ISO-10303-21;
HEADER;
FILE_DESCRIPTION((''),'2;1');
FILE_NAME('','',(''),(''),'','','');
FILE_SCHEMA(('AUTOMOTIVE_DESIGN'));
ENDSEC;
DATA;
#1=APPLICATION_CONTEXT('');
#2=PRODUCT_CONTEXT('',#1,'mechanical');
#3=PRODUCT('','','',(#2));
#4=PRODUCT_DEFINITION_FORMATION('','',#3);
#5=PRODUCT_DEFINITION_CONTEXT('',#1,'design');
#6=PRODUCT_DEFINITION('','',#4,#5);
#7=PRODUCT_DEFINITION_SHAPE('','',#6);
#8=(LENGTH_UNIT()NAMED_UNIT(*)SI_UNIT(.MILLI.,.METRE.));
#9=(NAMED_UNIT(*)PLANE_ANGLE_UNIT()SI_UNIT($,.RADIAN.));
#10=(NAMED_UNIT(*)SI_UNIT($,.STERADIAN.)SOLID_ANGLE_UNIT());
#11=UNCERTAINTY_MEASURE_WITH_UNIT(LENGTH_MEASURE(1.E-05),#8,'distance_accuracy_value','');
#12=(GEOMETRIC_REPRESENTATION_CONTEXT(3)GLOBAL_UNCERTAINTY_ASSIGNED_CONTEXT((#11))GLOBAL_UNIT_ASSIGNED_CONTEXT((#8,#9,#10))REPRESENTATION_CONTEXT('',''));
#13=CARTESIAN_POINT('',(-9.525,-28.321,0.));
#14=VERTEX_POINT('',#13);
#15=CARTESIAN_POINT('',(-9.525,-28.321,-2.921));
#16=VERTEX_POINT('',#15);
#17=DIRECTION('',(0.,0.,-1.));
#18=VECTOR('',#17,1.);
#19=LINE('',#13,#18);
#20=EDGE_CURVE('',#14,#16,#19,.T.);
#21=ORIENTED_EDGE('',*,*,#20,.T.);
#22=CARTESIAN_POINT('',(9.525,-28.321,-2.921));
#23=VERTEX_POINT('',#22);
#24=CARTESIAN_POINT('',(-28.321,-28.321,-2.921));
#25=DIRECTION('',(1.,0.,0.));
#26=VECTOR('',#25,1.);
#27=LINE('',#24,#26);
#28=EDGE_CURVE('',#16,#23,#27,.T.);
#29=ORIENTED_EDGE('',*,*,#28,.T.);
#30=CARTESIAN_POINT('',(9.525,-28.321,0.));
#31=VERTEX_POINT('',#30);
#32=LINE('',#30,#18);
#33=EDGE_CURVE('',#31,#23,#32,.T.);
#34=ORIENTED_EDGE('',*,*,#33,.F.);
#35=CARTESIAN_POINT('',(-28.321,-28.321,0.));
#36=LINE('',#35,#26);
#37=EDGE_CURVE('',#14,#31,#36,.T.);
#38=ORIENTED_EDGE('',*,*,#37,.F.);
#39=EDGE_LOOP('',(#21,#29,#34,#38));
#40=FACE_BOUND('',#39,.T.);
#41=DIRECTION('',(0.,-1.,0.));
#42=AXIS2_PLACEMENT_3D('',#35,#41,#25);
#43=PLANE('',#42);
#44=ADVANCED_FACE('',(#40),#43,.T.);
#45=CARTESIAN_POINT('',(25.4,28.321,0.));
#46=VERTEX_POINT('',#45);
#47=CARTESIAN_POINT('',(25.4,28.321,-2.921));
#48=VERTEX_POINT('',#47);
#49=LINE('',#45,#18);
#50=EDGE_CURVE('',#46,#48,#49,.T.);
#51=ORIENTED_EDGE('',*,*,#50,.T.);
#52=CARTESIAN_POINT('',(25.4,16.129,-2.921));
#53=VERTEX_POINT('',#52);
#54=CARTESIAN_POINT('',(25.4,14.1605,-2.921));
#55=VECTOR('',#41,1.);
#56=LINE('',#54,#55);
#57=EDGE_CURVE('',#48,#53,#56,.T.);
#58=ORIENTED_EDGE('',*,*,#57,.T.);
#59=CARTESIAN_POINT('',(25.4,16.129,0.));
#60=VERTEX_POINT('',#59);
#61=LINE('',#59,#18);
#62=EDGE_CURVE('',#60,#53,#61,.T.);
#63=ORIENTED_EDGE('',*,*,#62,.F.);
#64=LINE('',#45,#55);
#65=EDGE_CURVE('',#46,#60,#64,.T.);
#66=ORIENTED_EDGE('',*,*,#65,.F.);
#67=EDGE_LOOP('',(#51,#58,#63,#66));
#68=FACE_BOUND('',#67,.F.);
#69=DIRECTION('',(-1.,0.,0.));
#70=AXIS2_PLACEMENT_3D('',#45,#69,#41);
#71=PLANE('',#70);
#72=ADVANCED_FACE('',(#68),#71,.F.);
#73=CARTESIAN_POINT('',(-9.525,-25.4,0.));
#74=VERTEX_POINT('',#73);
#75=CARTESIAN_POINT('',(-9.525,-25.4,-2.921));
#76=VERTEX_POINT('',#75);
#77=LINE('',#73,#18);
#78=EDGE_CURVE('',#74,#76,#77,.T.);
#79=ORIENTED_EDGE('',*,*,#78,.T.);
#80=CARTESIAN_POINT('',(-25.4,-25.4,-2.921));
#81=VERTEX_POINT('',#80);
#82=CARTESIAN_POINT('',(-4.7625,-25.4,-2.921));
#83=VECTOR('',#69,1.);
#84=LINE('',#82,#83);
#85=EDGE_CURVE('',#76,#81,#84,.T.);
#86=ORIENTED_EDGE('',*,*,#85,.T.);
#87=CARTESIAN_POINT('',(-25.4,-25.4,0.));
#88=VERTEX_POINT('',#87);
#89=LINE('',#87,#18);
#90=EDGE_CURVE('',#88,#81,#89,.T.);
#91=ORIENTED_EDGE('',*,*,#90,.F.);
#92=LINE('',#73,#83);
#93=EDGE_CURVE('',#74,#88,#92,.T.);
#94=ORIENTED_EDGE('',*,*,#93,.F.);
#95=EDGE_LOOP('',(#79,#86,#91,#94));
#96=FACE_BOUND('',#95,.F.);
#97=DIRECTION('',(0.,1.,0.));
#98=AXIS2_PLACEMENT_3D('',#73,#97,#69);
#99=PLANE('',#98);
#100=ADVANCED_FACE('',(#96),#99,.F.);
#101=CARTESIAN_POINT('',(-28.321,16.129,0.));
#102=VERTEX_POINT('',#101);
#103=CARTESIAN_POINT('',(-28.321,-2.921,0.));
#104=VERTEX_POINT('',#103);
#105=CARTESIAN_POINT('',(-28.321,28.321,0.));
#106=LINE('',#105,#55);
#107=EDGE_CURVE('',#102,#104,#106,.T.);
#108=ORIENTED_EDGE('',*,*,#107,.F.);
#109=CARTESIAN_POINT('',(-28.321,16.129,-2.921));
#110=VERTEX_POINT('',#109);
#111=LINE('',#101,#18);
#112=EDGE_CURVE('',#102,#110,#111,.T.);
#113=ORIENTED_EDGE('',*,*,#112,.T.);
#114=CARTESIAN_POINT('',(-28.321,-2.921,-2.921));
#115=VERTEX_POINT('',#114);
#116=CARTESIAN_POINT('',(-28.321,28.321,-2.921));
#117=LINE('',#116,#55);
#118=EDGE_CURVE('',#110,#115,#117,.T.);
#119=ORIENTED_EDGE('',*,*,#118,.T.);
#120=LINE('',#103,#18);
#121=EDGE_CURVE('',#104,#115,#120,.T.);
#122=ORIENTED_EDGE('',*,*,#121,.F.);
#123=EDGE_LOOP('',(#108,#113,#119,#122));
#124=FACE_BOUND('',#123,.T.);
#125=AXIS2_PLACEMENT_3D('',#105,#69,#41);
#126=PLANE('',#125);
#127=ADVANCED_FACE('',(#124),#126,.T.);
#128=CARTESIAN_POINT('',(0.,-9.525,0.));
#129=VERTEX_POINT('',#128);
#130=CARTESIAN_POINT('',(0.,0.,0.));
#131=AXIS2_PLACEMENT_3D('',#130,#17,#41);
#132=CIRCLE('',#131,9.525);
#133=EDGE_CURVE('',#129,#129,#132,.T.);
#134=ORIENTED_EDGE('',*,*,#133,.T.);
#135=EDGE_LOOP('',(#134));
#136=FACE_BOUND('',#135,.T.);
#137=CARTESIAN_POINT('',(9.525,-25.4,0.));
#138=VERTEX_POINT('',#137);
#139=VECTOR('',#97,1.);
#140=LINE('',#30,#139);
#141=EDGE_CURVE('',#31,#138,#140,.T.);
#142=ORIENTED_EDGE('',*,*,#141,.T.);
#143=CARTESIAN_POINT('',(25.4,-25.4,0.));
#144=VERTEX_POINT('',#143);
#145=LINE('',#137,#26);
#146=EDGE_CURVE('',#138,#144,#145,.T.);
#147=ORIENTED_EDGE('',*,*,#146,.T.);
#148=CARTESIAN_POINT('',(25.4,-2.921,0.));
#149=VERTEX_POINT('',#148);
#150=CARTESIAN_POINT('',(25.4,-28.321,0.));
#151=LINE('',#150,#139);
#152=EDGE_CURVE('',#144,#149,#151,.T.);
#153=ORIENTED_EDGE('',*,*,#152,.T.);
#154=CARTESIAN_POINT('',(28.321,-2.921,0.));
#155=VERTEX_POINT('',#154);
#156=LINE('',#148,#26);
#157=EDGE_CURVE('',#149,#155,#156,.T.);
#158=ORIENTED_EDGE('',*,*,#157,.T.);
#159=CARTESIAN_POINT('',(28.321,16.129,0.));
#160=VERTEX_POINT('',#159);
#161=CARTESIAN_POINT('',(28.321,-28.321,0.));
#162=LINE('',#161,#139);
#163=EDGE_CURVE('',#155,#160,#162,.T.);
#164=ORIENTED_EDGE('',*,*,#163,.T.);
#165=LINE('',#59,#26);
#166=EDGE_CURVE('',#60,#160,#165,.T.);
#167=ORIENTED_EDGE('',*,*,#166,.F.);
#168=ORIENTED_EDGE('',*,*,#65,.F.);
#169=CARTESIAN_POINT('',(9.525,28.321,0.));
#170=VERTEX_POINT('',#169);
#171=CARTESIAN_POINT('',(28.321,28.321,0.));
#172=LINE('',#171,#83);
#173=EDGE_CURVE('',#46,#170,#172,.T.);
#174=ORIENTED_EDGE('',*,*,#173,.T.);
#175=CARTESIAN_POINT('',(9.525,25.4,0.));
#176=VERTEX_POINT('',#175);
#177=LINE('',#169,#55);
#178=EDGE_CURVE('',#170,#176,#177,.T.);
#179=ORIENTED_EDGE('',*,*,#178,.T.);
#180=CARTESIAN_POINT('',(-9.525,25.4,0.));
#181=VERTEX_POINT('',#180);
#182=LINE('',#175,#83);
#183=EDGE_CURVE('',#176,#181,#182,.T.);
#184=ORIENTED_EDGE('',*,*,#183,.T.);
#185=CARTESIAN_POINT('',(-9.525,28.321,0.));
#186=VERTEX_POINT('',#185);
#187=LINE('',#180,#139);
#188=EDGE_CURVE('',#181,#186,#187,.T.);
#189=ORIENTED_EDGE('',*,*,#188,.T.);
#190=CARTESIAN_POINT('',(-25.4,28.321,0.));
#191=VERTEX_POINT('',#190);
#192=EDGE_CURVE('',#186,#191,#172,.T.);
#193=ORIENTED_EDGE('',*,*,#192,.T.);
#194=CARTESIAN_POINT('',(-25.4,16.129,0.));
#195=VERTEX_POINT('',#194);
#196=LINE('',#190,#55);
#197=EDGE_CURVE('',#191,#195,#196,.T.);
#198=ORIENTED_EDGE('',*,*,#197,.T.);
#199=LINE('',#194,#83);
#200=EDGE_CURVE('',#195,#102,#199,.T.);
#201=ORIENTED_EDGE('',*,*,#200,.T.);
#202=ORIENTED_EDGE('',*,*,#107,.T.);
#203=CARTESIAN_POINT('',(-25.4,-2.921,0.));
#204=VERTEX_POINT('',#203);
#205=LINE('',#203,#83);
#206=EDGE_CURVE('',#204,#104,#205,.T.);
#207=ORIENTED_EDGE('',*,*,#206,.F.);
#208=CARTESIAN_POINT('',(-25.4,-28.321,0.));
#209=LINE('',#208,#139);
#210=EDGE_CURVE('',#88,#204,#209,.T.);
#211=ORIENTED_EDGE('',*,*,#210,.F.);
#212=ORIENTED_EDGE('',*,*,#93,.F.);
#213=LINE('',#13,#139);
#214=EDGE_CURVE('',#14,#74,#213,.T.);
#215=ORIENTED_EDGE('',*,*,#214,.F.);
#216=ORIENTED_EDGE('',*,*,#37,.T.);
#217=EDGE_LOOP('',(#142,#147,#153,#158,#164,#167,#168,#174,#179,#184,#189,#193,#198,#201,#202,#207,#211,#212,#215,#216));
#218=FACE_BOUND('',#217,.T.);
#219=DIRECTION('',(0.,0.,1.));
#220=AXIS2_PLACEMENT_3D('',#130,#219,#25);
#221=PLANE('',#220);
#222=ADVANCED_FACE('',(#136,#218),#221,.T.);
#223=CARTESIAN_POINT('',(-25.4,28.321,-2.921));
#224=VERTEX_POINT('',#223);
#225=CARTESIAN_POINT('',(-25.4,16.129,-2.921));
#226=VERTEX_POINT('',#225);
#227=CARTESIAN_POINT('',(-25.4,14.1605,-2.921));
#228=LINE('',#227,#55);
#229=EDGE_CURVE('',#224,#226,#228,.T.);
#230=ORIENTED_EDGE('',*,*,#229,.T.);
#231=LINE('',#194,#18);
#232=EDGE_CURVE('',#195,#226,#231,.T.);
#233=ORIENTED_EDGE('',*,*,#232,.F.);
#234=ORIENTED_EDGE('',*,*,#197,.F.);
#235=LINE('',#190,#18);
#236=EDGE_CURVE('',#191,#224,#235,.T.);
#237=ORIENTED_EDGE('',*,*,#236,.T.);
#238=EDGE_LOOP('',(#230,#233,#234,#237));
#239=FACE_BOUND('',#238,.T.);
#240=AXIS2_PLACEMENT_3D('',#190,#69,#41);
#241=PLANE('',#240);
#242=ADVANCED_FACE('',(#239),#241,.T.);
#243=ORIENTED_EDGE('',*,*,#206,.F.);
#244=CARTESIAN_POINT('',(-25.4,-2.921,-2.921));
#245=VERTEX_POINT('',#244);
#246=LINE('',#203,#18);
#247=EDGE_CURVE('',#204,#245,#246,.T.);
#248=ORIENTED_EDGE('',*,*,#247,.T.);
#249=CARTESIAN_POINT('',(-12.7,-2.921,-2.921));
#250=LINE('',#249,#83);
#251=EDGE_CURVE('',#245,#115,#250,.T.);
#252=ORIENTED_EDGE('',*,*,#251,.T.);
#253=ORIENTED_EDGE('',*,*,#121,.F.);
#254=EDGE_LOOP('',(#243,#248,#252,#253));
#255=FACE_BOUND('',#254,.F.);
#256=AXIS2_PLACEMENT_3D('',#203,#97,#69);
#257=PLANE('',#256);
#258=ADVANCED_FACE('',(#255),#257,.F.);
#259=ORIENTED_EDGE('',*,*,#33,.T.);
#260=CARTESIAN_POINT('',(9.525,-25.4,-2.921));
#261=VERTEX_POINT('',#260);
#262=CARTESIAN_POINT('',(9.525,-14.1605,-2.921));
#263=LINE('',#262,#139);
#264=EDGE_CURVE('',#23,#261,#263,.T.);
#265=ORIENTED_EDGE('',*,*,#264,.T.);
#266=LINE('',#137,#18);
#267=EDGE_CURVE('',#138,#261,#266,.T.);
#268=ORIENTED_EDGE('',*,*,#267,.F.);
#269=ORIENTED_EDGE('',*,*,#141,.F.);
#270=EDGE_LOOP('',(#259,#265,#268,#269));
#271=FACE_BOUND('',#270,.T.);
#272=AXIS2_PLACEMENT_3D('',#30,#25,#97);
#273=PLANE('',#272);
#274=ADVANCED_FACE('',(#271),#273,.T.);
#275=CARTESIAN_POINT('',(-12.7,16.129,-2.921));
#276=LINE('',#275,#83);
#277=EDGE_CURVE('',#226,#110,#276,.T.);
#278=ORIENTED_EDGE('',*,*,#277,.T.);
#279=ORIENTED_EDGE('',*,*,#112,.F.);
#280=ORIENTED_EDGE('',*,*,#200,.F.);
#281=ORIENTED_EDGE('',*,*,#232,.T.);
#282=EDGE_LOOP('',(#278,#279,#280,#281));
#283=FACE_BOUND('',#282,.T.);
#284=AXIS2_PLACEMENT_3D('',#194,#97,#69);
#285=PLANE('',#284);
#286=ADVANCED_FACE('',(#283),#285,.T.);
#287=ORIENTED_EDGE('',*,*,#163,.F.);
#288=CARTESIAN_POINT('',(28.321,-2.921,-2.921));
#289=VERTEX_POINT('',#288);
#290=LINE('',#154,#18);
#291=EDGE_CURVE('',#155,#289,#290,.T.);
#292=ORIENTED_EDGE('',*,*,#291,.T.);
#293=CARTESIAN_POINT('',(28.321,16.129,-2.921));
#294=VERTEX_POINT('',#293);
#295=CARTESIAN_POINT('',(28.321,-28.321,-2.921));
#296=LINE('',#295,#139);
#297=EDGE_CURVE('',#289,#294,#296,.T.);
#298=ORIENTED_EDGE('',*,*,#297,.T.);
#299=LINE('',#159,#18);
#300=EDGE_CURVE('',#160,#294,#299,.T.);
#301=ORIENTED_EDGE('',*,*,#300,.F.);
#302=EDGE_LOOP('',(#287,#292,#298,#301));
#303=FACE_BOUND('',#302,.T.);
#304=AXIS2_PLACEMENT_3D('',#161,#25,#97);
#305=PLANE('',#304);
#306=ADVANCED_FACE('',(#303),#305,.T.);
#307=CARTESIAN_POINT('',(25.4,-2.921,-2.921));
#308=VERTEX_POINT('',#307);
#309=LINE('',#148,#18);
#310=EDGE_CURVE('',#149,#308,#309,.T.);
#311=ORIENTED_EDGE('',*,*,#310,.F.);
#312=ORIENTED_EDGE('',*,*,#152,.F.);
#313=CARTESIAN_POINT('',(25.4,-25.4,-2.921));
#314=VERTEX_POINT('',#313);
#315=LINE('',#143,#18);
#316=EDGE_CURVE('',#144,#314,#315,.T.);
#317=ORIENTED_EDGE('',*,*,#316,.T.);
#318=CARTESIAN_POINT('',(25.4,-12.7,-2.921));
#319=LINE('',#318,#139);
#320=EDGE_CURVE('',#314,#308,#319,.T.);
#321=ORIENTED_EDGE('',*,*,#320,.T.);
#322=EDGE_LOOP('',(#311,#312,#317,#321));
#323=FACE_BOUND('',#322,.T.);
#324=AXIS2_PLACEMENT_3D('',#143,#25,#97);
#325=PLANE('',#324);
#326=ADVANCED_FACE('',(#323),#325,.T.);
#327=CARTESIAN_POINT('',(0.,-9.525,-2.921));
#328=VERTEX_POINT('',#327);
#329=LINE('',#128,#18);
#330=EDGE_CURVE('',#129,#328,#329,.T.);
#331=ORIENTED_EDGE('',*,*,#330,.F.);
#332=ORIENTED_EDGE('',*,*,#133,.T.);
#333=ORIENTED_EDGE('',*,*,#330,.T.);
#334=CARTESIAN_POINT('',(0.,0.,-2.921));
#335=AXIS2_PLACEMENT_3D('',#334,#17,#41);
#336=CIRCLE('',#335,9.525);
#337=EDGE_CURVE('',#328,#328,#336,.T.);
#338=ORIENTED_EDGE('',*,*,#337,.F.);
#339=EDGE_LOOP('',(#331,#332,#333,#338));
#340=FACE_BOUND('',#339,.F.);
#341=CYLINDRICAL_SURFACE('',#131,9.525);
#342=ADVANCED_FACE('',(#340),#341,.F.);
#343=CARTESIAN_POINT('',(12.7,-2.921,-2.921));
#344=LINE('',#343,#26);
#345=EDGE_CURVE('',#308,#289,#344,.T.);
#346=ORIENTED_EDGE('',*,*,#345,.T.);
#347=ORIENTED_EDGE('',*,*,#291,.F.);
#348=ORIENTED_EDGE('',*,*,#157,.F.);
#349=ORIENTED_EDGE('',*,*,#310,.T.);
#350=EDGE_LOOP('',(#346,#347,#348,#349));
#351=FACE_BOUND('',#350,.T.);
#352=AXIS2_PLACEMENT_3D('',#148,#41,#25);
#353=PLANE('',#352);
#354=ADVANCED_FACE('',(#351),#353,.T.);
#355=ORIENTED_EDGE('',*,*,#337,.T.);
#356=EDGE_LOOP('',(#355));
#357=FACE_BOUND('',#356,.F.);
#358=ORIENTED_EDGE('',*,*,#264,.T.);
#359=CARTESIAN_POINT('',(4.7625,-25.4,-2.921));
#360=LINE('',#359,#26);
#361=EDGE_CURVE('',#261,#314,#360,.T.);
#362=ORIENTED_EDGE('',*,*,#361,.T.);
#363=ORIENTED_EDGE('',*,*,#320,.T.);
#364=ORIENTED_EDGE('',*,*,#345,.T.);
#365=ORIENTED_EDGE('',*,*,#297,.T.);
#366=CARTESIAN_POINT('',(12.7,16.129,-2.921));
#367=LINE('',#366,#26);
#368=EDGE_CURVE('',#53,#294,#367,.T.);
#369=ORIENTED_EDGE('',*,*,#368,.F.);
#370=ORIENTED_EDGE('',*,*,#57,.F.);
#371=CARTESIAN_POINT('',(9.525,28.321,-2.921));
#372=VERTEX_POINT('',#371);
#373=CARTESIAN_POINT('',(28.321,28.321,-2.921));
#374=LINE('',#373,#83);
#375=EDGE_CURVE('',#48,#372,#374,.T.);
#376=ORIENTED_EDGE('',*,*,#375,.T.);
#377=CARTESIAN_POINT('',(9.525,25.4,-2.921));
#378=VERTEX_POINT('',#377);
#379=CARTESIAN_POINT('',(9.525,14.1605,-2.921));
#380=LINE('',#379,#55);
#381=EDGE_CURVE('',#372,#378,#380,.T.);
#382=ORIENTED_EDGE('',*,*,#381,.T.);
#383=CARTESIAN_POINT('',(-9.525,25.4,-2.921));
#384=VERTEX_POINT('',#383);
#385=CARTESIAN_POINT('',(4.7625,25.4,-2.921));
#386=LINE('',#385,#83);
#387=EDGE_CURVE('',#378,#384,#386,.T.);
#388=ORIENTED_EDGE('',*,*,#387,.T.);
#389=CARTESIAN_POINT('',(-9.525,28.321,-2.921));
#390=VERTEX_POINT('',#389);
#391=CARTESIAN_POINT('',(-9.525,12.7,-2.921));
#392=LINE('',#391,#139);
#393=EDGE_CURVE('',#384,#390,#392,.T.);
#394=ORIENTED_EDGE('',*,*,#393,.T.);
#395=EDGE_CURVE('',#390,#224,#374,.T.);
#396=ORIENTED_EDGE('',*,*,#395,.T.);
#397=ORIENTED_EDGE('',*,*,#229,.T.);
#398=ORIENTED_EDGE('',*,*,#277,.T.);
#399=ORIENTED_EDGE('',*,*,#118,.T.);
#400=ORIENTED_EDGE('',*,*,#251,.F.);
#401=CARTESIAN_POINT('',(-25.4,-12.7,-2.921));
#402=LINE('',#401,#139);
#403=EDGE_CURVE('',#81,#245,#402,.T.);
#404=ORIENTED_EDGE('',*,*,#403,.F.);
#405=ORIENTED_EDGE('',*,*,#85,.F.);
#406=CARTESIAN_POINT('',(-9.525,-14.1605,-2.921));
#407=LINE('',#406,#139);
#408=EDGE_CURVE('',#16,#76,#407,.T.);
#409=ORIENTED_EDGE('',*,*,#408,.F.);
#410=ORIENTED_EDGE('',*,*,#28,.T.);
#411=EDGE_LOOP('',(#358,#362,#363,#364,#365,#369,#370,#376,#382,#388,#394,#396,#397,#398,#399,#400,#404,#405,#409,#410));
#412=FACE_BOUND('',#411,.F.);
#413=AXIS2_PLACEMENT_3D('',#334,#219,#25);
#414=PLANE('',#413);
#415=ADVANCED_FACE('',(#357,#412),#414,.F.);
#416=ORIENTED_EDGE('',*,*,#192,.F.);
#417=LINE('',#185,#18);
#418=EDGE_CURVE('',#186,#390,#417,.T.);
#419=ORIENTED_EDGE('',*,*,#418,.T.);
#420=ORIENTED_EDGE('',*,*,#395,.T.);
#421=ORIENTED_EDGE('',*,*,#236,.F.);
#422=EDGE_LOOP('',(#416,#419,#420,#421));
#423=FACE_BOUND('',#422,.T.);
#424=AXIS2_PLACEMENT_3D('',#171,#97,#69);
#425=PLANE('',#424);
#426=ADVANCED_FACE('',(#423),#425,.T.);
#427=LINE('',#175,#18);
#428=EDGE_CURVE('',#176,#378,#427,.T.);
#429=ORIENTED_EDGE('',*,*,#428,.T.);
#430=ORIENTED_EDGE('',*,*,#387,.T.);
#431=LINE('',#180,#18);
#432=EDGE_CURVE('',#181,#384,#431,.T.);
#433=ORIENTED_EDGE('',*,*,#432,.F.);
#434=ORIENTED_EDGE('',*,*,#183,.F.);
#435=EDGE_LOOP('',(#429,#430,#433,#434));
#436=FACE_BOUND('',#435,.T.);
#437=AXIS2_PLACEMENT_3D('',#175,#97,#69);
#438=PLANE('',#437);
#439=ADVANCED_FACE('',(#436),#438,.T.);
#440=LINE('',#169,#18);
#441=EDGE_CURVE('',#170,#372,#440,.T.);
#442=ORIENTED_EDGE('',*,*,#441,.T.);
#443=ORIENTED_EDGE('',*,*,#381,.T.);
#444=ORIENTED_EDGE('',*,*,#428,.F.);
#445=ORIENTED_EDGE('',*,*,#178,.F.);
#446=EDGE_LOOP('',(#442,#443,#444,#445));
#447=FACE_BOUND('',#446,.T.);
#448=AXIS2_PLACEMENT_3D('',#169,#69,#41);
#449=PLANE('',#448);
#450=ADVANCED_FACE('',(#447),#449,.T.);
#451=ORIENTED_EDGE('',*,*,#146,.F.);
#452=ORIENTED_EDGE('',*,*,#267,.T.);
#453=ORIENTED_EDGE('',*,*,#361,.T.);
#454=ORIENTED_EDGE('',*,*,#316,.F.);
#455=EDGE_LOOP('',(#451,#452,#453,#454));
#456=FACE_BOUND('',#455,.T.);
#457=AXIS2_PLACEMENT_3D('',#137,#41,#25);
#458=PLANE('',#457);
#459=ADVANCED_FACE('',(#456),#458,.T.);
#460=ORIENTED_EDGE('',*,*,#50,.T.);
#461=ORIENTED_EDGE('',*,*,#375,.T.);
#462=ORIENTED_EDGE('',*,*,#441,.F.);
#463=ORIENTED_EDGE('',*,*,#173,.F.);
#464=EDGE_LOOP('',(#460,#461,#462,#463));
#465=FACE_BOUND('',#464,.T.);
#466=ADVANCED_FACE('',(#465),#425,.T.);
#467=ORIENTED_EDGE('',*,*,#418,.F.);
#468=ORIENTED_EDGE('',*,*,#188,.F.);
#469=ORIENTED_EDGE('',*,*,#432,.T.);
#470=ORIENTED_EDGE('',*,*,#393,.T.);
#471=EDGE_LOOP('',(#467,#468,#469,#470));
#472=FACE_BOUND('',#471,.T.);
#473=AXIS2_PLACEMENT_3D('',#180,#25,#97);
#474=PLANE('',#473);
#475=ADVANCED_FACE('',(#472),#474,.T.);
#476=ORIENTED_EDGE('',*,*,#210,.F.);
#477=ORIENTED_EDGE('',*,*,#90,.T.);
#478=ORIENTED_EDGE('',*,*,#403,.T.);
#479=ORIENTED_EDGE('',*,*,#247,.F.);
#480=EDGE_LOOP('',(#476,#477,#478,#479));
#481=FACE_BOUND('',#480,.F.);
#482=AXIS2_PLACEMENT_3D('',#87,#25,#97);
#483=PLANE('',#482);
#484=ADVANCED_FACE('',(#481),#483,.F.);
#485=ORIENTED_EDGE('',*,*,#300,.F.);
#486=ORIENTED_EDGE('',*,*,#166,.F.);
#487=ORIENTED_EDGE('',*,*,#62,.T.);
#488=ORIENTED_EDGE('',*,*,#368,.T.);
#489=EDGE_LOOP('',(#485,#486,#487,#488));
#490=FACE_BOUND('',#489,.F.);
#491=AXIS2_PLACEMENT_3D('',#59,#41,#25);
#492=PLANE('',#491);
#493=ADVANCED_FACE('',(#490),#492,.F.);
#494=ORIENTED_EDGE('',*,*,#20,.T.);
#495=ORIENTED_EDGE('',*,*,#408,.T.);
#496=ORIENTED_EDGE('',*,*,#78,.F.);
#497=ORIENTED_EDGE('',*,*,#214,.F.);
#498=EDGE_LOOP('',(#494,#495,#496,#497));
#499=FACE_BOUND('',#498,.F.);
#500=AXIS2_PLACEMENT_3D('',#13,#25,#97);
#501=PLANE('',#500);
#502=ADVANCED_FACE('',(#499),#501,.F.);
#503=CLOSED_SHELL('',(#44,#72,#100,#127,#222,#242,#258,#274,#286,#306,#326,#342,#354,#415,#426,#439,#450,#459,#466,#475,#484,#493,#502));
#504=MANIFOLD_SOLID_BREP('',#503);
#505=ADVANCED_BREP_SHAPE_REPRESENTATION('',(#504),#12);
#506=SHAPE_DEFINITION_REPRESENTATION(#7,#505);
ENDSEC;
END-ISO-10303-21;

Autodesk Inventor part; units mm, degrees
ref_plane "YZ Plane" through (0, 0, 0) normal (1, 0, 0) x (0, 1, 0)
ref_plane "XZ Plane" through (0, 0, 0) normal (0, 1, 0) x (-1, 0, 0)
ref_plane "XY Plane" through (0, 0, 0) normal (0, 0, 1) x (1, 0, 0)
sketch "Sketch1" plane through (0, 0, 0) normal (0, 0, 1) x (1, 0, 0)
  line L0 (-28.321, -28.321) -> (28.321, -28.321)
  line L1 (28.321, -28.321) -> (28.321, 28.321)
  line L2 (28.321, 28.321) -> (-28.321, 28.321)
  line L3 (-28.321, 28.321) -> (-28.321, -28.321)
  line L4 (-28.321, -28.321) -> (28.321, 28.321) construction
  line L5 (28.321, -28.321) -> (-28.321, 28.321) construction
  point P0 (0, 0)
  dimension "d0" = 56.642
  dimension "d1" = 56.642
extrude "Extrusion1" add sketch "Sketch1" against normal blind 2.921
sketch "Sketch4" plane through (0, 0, 0) normal (0, 0, 1) x (1, 0, 0)
  line L0 (-28.321, -28.321) -> (-9.525, -28.321)
  line L1 (-9.525, -28.321) -> (-9.525, -25.4)
  line L2 (-9.525, -25.4) -> (-28.321, -25.4)
  line L3 (-28.321, -25.4) -> (-28.321, -28.321)
  line L4 (28.321, 28.321) -> (-28.321, 28.321) projected
  line L5 (-28.321, 28.321) -> (-28.321, -28.321) projected
  line L6 (-9.525, 28.321) -> (9.525, 28.321)
  line L7 (9.525, 28.321) -> (9.525, 25.4)
  line L8 (9.525, 25.4) -> (-9.525, 25.4)
  line L9 (-9.525, 25.4) -> (-9.525, 28.321)
  line L10 (-28.321, -28.321) -> (-25.4, -28.321)
  line L11 (-25.4, -28.321) -> (-25.4, -2.921)
  line L12 (-25.4, -2.921) -> (-28.321, -2.921)
  line L13 (-28.321, -2.921) -> (-28.321, -28.321)
  line L14 (-28.321, 28.321) -> (-25.4, 28.321)
  line L15 (-25.4, 28.321) -> (-25.4, 16.129)
  line L16 (-25.4, 16.129) -> (-28.321, 16.129)
  line L17 (-28.321, 16.129) -> (-28.321, 28.321)
  line L18 (0, -3.175) -> (0, -6.3407)
  line L19 (28.321, -28.321) -> (9.525, -28.321)
  line L20 (9.525, -28.321) -> (9.525, -25.4)
  line L21 (9.525, -25.4) -> (28.321, -25.4)
  line L22 (28.321, -25.4) -> (28.321, -28.321)
  line L23 (28.321, 28.321) -> (28.321, -28.321)
  line L24 (9.525, 25.4) -> (9.525, 28.321)
  line L25 (28.321, -28.321) -> (25.4, -28.321)
  line L26 (25.4, -28.321) -> (25.4, -2.921)
  line L27 (25.4, -2.921) -> (28.321, -2.921)
  line L28 (28.321, -2.921) -> (28.321, -28.321)
  line L29 (28.321, 28.321) -> (25.4, 28.321)
  line L30 (25.4, 28.321) -> (25.4, 16.129)
  line L31 (25.4, 16.129) -> (28.321, 16.129)
  line L32 (28.321, 16.129) -> (28.321, 28.321)
  line L33 (-28.321, -28.321) -> (28.321, -28.321) projected
  point P0 (0, 0)
  point P1 (28.321, 0.1976)
  dimension "d16" = 2.921
  dimension "d37" = 9.525
  dimension "d38" = 18.796
  dimension "d44" = 2.921
  dimension "d45" = 19.05
  dimension "d46" = 18.796
  dimension "d53" = 25.4
  dimension "d54" = 19.05
  dimension "d55" = 2.921
  dimension "d56" = 2.921
  dimension "d57" = 12.192
  dimension "d58" = 18.796
  dimension "d59" = 19.05
  dimension "d60" = 12.192
  dimension "d61" = 19.05
  dimension "d62" = 25.4
extrude "Extrusion5" cut sketch "Sketch4" against normal blind 25.4 contours L3 L2 L11 L0 | L11 L2 L1 L0 | L5 L12 L11 L2 | L20 L21 L26 L19 | L5 L4 L15 L16 | L26 L21 L22 L19 | L26 L27 L23 L21 | L4 L7 L8 L9 | L31 L30 L4 L23
hole "Hole1" at (0, 0, 0) direction (0, 0, -1) diameter 19.05 end through all
equation "\"d1\" = d0"
equation "\"d38\" = -d37 + 0.5 * d0"
equation "\"d44\" = d16"
equation "\"d45\" = d42"
equation "\"d46\" = d38"
equation "\"d55\" = d16"
equation "\"d56\" = d16"
equation "\"d59\" = d45"
equation "\"d19\" = 0.5 * d0"
equation "\"d48\" = 0.5 * d0"
equation "\"d42\" = 2 * d37"
properties part number "SideB"
